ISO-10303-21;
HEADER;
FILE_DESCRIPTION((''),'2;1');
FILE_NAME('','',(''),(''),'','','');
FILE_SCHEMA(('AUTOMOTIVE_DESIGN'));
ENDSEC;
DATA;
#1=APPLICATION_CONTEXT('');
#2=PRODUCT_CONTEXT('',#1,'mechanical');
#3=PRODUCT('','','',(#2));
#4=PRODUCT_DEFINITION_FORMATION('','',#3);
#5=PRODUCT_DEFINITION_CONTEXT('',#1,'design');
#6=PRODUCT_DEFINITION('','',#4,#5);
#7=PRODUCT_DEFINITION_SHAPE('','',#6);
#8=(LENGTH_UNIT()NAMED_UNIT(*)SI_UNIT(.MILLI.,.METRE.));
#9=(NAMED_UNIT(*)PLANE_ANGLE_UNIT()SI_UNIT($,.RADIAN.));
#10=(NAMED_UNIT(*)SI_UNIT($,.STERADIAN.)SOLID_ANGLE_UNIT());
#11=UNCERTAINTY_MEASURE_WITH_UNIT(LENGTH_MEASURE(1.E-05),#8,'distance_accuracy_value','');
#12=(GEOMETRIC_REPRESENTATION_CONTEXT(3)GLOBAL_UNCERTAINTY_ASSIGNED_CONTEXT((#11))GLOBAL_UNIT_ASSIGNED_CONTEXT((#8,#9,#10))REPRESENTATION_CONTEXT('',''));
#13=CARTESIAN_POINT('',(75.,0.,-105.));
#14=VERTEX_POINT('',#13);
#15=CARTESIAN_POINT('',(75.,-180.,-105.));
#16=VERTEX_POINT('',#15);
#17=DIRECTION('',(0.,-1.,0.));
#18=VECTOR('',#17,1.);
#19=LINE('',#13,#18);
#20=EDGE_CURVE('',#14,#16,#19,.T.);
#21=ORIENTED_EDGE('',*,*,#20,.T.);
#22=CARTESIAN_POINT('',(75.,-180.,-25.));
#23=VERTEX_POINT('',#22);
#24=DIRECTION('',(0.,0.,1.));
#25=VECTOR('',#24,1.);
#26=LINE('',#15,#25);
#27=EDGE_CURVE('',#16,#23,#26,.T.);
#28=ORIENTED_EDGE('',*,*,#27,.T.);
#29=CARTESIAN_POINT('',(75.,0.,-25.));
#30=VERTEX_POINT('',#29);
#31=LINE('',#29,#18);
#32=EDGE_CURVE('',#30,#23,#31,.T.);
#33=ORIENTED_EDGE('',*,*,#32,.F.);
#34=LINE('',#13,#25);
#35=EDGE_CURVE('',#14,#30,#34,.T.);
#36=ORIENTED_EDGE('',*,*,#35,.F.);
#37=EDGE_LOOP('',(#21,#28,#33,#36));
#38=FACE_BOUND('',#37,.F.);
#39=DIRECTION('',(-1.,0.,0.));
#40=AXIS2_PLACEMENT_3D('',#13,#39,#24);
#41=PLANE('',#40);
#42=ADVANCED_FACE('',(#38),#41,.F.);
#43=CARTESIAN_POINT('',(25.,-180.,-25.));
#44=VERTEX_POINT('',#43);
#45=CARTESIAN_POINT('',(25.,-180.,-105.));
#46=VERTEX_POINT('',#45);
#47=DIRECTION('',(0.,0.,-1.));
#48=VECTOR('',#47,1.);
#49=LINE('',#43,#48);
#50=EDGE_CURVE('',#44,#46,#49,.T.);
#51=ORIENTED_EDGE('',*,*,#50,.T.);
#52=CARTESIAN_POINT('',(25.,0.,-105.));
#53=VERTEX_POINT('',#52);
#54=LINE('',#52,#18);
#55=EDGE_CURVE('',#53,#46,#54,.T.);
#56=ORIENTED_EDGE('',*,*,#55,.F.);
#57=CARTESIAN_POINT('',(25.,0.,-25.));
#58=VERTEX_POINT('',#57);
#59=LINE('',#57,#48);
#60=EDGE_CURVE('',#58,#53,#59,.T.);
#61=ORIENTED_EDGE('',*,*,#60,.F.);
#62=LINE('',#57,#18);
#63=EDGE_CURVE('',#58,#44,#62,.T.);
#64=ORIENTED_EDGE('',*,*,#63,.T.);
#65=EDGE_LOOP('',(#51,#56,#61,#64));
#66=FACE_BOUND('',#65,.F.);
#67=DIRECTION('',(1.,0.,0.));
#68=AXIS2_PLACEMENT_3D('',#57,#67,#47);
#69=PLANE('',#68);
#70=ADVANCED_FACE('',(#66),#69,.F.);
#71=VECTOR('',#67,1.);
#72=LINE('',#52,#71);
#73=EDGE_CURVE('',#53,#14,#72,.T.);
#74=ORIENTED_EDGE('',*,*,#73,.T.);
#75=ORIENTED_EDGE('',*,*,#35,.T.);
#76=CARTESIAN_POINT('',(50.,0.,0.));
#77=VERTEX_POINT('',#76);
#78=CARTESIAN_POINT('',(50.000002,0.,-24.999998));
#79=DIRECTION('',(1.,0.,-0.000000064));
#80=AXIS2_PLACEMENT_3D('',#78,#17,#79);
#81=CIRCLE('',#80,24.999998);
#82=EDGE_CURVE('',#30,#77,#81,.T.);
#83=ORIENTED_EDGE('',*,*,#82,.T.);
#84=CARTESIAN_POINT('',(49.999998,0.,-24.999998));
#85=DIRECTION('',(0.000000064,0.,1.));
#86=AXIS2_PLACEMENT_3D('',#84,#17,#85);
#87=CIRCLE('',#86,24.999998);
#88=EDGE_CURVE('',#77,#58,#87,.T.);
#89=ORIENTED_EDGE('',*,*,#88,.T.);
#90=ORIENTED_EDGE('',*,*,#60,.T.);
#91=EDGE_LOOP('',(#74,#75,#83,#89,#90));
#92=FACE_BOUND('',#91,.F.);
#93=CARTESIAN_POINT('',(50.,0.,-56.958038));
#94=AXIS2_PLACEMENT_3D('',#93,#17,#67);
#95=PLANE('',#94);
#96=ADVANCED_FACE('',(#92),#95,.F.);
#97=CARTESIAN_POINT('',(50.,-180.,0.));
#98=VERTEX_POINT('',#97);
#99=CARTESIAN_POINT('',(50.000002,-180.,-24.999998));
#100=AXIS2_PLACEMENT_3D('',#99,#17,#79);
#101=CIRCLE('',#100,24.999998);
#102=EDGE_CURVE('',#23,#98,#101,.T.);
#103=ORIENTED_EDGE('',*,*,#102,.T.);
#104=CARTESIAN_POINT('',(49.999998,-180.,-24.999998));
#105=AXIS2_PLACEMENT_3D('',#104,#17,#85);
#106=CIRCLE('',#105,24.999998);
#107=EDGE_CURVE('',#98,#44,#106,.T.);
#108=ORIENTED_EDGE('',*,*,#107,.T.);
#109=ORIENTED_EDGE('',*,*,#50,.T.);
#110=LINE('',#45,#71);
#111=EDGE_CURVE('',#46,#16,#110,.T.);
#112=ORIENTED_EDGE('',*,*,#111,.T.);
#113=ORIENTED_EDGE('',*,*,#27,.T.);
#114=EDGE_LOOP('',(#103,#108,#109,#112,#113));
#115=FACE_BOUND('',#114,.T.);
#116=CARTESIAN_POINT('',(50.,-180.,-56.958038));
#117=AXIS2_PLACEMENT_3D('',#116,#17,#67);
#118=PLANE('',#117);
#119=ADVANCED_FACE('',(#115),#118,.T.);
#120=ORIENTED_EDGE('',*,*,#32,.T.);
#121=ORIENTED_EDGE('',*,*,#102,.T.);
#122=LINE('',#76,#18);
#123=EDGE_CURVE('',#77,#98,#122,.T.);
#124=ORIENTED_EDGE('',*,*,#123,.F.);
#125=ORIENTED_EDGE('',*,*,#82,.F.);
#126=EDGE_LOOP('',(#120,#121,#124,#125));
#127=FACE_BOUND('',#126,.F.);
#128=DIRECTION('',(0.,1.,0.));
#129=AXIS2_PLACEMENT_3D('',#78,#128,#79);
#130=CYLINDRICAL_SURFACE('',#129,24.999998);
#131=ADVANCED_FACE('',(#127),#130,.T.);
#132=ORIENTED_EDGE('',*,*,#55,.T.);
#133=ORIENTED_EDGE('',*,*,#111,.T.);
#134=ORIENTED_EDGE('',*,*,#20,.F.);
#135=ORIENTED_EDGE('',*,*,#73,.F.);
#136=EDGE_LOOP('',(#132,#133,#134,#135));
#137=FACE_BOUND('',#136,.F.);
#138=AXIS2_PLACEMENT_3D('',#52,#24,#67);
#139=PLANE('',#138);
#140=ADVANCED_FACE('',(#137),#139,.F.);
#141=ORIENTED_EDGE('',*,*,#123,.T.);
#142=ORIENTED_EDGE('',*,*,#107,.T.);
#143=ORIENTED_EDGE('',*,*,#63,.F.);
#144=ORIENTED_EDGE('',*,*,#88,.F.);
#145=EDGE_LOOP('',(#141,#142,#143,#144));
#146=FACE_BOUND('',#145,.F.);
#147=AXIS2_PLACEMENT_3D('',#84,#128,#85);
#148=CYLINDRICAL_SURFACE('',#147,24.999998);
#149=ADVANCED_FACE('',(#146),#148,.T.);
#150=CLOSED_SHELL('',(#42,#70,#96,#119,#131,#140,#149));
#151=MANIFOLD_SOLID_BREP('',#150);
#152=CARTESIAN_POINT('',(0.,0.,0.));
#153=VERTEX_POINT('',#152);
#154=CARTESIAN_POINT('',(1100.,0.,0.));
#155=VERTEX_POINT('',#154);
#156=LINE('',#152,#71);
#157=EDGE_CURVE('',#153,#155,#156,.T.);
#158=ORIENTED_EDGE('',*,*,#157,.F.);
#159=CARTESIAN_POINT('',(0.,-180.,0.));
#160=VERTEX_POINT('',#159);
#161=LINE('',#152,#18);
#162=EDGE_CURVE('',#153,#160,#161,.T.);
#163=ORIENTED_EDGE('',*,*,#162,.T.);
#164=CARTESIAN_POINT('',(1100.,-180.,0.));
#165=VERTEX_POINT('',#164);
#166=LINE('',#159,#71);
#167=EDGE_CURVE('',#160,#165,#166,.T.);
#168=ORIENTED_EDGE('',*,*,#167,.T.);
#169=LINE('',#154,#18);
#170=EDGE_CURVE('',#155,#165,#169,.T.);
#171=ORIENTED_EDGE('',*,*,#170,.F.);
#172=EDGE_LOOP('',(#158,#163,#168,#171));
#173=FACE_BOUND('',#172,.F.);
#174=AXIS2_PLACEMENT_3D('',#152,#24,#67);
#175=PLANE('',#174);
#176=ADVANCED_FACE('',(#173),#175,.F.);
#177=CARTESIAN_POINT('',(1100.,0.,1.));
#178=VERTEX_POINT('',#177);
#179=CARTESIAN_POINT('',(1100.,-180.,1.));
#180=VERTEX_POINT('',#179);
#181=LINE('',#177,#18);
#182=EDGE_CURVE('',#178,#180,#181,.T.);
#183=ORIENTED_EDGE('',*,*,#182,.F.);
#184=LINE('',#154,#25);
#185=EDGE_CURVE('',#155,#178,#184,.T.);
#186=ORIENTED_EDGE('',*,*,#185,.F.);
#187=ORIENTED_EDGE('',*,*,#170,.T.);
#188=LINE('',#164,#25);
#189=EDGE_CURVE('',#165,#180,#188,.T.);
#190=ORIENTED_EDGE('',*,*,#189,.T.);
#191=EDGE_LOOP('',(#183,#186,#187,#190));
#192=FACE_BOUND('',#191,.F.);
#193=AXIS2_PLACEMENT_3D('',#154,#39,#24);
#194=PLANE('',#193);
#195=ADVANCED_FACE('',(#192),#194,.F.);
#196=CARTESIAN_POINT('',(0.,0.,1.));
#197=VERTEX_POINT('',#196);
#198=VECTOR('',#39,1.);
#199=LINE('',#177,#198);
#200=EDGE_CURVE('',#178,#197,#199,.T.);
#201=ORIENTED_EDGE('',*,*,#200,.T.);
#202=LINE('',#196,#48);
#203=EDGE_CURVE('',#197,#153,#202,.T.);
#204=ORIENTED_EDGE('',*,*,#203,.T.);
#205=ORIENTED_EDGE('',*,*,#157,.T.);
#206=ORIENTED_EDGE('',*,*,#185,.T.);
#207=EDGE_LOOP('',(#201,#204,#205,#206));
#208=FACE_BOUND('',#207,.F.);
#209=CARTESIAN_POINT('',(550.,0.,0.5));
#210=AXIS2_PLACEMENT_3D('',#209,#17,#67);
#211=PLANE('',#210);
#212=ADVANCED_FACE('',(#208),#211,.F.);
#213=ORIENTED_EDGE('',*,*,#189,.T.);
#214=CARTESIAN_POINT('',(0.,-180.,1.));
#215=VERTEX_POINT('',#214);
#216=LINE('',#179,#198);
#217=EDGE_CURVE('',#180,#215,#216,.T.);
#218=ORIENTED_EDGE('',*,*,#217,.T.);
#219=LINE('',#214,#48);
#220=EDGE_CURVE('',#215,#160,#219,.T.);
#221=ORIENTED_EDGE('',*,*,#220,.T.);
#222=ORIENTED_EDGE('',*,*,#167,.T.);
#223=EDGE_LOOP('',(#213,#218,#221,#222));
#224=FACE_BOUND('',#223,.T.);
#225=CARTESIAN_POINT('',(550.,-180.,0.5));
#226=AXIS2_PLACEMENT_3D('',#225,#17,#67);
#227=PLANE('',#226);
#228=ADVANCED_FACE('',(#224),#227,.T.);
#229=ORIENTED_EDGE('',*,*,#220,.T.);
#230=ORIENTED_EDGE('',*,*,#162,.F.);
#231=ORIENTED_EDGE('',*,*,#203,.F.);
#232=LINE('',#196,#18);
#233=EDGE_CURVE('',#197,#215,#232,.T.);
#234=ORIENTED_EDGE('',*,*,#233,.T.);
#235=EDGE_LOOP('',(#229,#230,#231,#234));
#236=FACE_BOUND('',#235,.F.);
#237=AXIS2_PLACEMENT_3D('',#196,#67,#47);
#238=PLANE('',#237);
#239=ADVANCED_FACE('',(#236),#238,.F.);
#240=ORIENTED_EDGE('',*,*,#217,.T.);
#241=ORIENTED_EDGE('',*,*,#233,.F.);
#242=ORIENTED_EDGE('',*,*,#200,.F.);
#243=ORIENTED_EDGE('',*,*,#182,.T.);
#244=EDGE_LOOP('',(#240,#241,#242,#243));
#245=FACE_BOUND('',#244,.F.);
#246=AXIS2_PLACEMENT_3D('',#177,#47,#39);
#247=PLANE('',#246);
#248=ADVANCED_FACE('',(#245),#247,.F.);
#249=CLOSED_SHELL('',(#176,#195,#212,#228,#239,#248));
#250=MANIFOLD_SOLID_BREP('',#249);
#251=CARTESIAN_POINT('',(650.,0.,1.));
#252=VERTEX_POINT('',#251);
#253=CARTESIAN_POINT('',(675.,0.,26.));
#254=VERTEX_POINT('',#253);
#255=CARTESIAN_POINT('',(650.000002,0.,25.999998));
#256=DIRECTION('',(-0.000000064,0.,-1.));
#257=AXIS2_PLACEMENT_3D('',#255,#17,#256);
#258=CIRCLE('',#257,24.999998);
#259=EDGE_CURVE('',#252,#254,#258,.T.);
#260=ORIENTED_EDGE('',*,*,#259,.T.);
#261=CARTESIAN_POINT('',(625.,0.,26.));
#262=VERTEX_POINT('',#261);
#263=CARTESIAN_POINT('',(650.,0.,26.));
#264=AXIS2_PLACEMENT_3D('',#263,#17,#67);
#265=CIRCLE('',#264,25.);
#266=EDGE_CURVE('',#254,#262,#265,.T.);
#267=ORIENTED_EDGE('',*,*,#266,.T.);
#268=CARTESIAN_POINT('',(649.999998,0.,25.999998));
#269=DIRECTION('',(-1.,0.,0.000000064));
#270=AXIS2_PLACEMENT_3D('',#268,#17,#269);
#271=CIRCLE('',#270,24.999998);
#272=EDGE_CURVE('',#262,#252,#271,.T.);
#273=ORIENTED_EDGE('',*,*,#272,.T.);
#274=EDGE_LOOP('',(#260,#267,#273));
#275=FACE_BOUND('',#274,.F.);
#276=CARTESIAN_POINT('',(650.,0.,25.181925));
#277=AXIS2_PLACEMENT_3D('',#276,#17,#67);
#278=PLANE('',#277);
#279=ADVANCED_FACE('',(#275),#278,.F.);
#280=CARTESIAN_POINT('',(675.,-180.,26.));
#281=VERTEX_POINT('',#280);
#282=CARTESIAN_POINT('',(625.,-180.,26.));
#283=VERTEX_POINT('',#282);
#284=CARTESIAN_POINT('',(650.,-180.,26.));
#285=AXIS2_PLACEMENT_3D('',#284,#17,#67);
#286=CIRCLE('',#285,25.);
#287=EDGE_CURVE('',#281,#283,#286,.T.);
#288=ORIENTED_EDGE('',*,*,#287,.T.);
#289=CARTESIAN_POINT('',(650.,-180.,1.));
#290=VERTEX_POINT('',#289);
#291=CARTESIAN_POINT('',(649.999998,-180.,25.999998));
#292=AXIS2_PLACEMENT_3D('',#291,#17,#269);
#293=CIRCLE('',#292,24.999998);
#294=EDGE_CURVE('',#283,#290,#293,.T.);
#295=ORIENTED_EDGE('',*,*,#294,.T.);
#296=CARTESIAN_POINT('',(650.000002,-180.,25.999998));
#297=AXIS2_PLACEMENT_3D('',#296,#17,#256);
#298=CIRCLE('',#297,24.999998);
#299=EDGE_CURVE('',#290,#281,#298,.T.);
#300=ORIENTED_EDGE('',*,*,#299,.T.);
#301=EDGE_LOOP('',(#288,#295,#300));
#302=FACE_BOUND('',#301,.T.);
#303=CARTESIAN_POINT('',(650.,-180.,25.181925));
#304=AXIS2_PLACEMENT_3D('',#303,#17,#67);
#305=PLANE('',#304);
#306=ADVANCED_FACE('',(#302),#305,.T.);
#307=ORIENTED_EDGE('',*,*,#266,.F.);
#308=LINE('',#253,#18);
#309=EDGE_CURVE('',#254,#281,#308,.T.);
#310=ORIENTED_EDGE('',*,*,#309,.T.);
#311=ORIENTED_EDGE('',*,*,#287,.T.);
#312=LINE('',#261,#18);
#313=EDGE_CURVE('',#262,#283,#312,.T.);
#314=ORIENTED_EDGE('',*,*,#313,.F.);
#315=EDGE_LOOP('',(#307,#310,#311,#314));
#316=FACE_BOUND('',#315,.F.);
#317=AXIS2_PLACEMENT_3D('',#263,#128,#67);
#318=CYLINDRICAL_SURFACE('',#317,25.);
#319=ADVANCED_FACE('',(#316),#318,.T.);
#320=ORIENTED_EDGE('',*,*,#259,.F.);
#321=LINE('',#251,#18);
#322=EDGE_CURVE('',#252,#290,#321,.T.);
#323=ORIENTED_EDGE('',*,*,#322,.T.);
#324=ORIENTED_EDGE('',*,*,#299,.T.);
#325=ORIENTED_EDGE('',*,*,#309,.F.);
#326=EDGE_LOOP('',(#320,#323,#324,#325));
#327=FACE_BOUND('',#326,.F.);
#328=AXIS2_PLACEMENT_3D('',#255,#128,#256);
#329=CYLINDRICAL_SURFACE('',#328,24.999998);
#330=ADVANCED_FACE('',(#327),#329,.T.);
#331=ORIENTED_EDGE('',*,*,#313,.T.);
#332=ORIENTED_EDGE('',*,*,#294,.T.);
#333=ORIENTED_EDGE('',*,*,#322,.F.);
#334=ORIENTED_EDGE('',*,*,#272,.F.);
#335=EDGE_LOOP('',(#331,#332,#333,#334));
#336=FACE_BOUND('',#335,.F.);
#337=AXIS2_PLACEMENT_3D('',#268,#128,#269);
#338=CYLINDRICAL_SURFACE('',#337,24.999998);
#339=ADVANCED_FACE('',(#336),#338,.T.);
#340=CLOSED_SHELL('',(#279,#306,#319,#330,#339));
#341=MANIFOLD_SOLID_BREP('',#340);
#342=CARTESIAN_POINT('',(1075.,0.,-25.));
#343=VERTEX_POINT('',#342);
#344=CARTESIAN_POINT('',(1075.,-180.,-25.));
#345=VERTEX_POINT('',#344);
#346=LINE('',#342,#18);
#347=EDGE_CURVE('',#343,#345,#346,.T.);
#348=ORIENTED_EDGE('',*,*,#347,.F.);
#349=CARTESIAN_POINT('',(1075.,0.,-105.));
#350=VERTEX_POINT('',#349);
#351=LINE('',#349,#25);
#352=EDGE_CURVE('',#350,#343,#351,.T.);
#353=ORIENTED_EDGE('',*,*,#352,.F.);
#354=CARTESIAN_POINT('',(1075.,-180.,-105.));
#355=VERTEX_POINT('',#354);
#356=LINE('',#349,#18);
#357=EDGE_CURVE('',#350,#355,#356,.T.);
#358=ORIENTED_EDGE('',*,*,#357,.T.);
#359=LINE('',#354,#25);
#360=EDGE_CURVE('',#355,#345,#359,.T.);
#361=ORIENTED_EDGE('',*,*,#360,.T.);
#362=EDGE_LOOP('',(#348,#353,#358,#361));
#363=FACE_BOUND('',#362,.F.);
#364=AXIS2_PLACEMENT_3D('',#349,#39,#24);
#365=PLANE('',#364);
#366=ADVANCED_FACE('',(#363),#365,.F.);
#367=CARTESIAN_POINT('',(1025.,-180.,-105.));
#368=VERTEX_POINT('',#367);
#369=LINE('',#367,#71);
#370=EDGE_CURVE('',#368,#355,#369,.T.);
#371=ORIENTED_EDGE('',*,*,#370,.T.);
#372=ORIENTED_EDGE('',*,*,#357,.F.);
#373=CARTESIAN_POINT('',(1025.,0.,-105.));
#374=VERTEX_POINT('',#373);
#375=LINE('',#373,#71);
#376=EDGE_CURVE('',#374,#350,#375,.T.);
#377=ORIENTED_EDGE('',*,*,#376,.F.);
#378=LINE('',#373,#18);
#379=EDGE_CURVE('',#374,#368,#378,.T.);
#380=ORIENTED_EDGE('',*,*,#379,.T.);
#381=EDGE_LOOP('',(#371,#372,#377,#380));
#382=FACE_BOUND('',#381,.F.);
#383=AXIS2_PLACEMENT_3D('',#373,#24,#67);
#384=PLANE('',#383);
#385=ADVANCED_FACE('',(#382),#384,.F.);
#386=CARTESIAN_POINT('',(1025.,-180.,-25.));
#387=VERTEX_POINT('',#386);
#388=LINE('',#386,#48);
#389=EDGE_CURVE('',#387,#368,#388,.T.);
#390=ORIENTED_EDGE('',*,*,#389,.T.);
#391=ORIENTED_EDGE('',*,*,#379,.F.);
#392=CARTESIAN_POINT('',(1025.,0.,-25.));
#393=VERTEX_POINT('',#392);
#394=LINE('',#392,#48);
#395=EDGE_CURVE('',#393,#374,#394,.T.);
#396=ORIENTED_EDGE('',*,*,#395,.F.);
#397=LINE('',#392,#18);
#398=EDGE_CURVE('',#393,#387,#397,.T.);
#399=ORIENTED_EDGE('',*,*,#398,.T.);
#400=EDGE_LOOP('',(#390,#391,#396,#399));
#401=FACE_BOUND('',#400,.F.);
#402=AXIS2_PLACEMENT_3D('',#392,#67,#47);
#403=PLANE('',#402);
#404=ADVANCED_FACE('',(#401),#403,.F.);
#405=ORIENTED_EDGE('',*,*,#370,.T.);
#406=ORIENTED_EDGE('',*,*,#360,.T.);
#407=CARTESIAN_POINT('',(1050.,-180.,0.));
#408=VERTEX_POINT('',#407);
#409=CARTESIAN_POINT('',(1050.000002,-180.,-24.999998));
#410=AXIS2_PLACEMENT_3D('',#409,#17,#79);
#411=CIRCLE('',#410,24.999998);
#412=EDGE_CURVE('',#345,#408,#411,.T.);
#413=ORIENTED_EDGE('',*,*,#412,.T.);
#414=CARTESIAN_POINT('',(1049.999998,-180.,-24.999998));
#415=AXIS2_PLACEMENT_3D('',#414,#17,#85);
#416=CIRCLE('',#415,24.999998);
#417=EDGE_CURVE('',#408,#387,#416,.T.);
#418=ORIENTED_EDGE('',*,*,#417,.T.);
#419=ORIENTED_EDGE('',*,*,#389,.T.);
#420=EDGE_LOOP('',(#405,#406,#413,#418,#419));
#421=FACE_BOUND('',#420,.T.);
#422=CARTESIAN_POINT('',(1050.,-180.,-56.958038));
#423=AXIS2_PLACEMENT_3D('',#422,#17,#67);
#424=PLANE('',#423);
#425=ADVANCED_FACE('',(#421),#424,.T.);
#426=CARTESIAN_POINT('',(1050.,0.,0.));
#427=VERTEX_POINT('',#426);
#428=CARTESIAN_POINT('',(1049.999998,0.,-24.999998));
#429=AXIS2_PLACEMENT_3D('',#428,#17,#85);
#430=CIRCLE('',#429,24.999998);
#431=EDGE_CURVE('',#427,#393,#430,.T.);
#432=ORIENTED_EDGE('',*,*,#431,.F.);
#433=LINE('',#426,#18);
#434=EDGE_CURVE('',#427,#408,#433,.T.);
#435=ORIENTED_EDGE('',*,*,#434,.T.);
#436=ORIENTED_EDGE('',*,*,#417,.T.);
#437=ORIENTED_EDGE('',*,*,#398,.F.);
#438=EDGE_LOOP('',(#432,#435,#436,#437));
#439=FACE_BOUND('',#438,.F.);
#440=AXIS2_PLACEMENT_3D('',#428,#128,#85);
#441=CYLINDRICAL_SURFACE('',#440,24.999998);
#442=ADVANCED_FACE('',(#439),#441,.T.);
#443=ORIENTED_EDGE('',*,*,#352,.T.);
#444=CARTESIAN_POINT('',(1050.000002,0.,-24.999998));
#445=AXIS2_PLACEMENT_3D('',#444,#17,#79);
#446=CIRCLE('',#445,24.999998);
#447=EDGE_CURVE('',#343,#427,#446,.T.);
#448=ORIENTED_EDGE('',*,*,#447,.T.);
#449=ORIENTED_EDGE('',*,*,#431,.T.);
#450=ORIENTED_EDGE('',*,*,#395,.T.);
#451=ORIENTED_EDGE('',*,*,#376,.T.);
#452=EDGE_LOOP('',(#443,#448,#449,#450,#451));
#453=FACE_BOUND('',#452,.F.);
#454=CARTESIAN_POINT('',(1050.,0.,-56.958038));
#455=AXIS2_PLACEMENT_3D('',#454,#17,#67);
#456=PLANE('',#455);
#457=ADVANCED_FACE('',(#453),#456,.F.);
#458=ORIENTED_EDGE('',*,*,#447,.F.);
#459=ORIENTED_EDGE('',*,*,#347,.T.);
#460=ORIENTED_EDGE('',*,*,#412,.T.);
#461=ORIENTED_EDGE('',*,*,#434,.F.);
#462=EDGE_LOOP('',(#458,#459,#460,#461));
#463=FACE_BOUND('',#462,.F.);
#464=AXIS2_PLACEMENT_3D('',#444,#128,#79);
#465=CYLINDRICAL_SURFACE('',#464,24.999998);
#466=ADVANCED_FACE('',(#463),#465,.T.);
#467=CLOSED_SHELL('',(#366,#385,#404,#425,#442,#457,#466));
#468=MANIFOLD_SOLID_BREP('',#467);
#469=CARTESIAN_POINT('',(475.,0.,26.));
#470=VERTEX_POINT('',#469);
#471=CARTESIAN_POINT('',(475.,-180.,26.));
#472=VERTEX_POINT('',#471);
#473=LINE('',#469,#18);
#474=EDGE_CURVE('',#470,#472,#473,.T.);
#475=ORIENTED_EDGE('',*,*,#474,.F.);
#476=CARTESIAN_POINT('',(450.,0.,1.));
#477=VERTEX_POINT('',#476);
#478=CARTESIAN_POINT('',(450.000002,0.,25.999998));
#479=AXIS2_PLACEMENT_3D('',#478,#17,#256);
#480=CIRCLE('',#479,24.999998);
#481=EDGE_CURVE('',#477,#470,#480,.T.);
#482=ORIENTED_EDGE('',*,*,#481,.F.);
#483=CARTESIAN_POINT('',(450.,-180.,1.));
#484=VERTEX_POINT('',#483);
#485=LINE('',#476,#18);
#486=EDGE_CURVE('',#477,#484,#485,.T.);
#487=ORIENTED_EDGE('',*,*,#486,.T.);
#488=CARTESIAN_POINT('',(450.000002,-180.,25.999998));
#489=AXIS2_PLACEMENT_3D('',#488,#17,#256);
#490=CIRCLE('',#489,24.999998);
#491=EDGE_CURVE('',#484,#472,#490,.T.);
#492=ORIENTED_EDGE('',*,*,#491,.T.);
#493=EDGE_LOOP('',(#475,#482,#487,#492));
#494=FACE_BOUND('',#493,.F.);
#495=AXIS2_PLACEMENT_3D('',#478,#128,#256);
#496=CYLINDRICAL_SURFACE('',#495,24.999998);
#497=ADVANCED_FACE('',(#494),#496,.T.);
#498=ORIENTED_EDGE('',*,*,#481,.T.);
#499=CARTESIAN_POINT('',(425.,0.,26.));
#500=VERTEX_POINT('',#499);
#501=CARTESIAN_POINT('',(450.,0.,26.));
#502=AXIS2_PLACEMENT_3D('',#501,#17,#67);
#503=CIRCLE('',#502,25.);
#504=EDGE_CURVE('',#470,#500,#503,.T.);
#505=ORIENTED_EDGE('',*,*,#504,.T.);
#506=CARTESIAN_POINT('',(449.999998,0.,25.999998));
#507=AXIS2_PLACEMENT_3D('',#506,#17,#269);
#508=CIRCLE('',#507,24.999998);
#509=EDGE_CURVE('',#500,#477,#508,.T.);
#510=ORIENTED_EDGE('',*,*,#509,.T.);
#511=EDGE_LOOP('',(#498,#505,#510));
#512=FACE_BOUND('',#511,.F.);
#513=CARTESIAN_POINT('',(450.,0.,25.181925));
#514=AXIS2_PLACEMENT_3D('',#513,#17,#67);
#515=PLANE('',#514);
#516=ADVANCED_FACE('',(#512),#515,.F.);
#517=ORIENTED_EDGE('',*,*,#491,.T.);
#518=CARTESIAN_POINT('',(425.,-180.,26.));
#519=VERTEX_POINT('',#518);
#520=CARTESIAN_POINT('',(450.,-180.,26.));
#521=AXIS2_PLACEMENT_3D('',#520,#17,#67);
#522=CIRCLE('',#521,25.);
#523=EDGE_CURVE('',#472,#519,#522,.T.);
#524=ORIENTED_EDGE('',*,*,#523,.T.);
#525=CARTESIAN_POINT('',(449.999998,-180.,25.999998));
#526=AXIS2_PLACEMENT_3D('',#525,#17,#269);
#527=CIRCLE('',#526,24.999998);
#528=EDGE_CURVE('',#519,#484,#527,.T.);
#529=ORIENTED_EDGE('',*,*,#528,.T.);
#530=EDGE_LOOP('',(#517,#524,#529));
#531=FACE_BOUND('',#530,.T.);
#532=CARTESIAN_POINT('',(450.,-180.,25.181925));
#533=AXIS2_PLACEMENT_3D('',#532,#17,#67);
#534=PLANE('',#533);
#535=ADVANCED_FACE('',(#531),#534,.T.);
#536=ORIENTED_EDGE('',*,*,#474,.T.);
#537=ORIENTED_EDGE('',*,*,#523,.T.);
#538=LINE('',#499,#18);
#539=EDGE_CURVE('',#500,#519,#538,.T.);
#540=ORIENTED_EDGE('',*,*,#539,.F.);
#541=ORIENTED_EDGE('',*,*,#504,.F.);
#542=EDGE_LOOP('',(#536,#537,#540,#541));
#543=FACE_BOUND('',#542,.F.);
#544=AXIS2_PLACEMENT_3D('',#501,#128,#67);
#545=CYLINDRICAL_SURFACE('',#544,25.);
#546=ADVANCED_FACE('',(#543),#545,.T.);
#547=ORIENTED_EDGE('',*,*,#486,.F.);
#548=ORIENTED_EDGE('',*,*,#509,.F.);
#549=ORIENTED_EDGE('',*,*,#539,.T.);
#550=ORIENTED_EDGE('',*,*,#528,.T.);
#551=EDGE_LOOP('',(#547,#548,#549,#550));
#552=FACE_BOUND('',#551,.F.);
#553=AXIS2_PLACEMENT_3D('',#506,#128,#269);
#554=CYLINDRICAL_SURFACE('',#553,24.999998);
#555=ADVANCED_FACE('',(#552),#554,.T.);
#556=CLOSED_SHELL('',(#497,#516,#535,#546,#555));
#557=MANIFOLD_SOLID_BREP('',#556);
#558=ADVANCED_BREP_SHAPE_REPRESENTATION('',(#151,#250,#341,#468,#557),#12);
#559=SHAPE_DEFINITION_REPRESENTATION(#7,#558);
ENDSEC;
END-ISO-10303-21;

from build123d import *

# Parameters (mm, degrees)
F1_DEPTH = 180
F2_DEPTH = 180


with BuildPart() as f1:
    # F0 (on Front) → F1 (new body)
    with BuildSketch(Plane.XZ):
        Polygon((0, 1), (0, 0), (50, 0), (1050, 0), (1100, 0), (1100, 1), (650, 1), (450, 1), align=None)
    extrude(amount=F1_DEPTH)


with BuildPart() as f2:
    # F0 (on Front) → F2 (new body)
    with BuildSketch(Plane.XZ):
        with BuildLine():
            ThreePointArc((75, -25), (67.67767, -7.32233), (50, 0))
            ThreePointArc((50, 0), (32.32233, -7.32233), (25, -25))
            Line((25, -25), (25, -105))
            Line((25, -105), (75, -105))
            Line((75, -105), (75, -25))
        make_face()
        with BuildLine():
            ThreePointArc((425, 26), (432.32233, 8.32233), (450, 1))
            ThreePointArc((450, 1), (467.67767, 8.32233), (475, 26))
            ThreePointArc((475, 26), (450, 51), (425, 26))
        make_face()
        with BuildLine():
            ThreePointArc((625, 26), (632.32233, 8.32233), (650, 1))
            ThreePointArc((650, 1), (667.67767, 8.32233), (675, 26))
            ThreePointArc((675, 26), (650, 51), (625, 26))
        make_face()
        with BuildLine():
            ThreePointArc((1075, -25), (1067.67767, -7.32233), (1050, 0))
            ThreePointArc((1050, 0), (1032.32233, -7.32233), (1025, -25))
            Line((1025, -25), (1025, -105))
            Line((1025, -105), (1075, -105))
            Line((1075, -105), (1075, -25))
        make_face()
    extrude(amount=F2_DEPTH)


solid = Compound([f1.part, f2.part])
